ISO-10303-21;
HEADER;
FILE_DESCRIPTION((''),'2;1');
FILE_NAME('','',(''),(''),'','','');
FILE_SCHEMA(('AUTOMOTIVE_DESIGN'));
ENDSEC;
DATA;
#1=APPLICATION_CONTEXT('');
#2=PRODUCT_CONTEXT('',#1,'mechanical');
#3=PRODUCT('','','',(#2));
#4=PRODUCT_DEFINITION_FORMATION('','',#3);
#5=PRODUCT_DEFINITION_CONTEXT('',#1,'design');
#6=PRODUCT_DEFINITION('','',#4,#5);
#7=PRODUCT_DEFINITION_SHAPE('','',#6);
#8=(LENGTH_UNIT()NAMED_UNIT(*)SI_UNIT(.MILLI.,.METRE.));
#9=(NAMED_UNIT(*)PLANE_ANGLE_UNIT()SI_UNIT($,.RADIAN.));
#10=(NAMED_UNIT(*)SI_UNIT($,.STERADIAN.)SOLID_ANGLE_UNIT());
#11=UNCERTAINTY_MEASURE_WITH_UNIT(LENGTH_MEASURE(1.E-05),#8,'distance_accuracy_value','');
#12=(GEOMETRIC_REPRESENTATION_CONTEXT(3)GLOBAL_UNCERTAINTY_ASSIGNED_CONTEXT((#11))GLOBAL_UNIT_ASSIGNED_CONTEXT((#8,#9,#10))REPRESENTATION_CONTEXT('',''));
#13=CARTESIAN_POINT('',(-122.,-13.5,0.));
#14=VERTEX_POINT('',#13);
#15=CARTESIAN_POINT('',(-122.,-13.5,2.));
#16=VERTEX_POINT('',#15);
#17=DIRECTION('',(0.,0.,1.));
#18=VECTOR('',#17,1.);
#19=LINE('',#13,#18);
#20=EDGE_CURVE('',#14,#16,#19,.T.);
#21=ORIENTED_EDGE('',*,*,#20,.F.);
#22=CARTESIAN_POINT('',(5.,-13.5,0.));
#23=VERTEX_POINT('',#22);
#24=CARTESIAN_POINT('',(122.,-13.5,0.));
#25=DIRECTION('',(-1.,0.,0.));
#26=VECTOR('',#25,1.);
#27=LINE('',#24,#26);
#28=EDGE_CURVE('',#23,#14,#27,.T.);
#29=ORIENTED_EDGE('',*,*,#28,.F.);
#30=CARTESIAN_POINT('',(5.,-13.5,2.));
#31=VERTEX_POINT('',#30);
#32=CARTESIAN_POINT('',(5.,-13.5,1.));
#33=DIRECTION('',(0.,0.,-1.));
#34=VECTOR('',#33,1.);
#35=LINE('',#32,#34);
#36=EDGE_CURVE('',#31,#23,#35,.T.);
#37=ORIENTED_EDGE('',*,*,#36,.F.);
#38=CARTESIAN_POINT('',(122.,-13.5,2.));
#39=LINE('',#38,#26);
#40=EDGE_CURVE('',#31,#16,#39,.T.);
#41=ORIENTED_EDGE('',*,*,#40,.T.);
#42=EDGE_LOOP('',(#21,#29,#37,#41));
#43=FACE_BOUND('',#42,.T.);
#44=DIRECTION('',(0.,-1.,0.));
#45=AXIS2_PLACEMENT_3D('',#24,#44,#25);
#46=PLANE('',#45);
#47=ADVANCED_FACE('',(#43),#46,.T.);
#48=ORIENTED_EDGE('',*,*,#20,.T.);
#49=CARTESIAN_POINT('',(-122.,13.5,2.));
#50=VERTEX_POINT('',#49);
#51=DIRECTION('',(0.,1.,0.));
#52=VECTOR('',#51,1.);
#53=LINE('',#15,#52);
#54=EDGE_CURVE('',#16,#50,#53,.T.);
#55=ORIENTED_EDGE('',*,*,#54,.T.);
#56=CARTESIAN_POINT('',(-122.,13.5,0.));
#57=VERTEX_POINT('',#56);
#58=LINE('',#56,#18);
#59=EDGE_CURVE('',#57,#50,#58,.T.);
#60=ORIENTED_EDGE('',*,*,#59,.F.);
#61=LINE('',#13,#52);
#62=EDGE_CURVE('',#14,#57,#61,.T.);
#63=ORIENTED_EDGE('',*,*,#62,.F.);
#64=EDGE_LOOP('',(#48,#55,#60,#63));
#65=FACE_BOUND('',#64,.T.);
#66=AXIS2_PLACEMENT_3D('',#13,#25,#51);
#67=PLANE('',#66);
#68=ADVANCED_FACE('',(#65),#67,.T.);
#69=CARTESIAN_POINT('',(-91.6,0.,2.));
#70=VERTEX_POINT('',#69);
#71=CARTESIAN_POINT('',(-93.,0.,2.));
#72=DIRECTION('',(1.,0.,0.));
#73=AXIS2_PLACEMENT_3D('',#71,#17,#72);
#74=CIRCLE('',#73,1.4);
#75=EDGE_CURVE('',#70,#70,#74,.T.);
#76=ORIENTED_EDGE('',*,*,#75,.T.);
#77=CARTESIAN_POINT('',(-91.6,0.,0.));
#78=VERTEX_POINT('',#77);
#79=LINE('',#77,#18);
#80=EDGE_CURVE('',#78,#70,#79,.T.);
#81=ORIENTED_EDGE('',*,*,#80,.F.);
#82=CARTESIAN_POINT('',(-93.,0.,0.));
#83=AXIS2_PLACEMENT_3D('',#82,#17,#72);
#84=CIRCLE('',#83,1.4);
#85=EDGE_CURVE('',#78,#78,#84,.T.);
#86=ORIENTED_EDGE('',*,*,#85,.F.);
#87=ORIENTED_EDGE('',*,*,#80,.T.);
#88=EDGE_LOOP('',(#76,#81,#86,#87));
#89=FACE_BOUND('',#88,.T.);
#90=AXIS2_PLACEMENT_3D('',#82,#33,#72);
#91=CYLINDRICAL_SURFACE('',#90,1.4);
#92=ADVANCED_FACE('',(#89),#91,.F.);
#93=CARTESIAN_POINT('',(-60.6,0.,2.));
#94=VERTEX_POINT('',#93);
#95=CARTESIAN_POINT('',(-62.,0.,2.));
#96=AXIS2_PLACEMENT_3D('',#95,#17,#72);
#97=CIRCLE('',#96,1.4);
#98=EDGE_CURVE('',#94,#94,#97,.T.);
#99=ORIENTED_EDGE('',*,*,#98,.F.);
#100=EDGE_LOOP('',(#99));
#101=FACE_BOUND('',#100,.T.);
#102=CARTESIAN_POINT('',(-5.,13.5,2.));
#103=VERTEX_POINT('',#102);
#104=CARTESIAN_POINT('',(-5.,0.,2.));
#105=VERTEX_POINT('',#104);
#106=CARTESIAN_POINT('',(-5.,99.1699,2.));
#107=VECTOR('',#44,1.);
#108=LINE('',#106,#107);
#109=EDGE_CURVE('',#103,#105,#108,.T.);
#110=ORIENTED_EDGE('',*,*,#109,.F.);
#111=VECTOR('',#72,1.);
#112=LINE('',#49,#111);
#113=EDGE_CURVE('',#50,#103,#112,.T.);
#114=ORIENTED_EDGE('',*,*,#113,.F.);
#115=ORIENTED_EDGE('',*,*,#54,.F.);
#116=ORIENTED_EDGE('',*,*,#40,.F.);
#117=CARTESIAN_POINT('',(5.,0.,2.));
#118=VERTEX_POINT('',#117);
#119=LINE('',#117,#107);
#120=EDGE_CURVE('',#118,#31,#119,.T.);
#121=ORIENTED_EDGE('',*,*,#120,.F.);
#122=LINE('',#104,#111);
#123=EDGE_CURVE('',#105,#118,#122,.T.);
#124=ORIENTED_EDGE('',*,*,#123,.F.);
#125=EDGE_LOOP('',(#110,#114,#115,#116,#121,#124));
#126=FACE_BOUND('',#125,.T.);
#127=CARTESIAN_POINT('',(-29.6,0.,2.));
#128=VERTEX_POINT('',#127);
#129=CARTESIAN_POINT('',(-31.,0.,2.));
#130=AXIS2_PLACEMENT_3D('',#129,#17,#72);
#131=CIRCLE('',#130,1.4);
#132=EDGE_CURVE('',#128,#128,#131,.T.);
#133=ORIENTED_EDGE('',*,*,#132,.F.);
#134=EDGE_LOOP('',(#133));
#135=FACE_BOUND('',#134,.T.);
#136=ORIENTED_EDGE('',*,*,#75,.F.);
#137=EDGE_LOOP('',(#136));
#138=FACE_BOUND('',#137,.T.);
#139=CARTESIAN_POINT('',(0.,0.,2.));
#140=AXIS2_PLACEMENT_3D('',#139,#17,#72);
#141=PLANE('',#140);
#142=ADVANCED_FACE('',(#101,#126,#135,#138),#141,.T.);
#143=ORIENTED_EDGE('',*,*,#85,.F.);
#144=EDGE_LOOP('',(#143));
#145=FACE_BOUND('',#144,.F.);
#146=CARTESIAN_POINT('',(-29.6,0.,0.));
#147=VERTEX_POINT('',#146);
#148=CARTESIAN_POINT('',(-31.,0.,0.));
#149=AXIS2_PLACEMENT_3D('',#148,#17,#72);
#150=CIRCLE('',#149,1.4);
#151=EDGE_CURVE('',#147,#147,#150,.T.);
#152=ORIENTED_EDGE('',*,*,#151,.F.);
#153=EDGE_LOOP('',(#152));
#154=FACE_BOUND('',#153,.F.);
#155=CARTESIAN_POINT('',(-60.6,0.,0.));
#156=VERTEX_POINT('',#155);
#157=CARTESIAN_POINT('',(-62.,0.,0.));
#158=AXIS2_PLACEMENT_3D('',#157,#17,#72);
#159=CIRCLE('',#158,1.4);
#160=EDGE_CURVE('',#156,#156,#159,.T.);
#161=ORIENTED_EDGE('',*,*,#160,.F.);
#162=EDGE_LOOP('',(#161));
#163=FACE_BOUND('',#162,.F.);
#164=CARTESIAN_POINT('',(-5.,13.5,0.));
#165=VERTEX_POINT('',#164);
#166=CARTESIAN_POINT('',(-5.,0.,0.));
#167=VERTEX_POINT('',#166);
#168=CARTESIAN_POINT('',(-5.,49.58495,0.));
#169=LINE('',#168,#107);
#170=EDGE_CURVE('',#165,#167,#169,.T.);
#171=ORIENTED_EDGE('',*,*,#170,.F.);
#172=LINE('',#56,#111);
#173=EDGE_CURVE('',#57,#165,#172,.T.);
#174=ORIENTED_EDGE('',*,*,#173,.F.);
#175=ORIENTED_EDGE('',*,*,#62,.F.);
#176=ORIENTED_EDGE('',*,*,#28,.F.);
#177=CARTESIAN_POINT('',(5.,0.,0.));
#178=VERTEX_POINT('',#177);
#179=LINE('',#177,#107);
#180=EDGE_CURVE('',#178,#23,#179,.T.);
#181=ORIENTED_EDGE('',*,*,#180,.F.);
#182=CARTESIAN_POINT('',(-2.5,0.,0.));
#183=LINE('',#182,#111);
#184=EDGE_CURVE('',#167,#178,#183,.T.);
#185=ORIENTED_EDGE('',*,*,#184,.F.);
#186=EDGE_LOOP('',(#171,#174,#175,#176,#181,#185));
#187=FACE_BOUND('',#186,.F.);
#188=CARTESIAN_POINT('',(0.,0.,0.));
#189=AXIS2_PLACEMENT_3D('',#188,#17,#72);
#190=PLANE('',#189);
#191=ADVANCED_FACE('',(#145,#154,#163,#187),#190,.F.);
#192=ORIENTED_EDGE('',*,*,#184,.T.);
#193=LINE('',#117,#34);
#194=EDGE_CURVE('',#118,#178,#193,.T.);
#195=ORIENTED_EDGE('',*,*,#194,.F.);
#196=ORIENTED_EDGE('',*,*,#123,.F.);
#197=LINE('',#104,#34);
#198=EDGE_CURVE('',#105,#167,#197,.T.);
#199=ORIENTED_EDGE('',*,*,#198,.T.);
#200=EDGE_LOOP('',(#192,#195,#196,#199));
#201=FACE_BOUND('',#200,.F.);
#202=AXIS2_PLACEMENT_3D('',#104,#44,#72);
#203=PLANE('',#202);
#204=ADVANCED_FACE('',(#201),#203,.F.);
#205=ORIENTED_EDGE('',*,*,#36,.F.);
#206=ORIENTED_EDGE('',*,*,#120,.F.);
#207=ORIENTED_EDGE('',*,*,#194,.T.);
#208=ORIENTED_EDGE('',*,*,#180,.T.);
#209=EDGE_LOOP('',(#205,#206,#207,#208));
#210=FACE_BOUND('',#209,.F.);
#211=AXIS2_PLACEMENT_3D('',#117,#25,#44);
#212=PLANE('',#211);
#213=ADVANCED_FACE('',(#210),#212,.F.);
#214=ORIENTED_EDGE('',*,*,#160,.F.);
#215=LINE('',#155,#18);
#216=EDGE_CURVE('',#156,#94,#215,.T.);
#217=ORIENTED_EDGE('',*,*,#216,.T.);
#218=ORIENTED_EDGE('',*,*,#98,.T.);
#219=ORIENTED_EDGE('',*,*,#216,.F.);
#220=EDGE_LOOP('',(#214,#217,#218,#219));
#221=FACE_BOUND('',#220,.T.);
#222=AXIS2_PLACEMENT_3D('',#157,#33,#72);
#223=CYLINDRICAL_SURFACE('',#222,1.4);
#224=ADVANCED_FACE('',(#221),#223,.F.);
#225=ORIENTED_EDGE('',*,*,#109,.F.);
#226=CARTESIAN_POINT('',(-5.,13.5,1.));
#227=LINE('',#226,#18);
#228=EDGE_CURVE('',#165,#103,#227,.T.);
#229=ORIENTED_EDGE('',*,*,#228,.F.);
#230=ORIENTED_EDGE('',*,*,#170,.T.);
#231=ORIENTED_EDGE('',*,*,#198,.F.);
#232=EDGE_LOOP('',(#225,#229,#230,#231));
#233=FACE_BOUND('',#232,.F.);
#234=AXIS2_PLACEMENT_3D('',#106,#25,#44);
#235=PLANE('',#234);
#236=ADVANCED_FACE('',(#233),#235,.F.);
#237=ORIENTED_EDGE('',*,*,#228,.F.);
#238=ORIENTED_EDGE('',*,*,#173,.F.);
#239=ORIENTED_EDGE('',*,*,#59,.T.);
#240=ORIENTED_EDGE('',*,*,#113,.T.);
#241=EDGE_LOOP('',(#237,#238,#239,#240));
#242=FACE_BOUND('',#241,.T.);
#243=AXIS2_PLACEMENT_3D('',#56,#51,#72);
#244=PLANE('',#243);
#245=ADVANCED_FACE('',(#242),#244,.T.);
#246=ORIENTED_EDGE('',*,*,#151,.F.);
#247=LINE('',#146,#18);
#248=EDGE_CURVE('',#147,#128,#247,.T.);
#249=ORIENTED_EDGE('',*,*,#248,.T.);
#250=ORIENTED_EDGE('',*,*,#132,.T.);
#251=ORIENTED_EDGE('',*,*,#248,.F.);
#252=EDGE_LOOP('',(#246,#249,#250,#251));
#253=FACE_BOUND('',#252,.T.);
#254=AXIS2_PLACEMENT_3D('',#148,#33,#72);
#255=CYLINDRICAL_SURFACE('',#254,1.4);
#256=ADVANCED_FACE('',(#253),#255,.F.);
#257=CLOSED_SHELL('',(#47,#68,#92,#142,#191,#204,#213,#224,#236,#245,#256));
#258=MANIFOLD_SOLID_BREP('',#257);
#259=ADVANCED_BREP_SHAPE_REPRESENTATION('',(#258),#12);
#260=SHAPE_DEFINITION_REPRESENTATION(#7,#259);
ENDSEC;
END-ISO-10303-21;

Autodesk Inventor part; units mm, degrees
ref_plane "YZ Plane" through (0, 0, 0) normal (1, 0, 0) x (0, 1, 0)
ref_plane "XZ Plane" through (0, 0, 0) normal (0, 1, 0) x (-1, 0, 0)
ref_plane "XY Plane" through (0, 0, 0) normal (0, 0, 1) x (1, 0, 0)
sketch "Sketch1" plane through (0, 0, 0) normal (0, 0, 1) x (1, 0, 0)
  line L0 (122, -13.5) -> (-122, -13.5)
  line L1 (-122, -13.5) -> (-122, 13.5)
  line L2 (-122, 13.5) -> (122, 13.5)
  line L3 (122, 13.5) -> (122, -13.5)
  line L4 (122, -13.5) -> (-122, 13.5) construction
  line L5 (-122, -13.5) -> (122, 13.5) construction
  line L6 (0, 0) -> (-31, 0) construction
  circle A0 centre (-93, 0) radius 1.4
  circle A1 centre (-62, 0) radius 1.4
  circle A2 centre (-31, 0) radius 1.4
  circle A3 centre (0, 0) radius 1.4
  circle A4 centre (31, 0) radius 1.4
  circle A5 centre (62, 0) radius 1.4
  circle A6 centre (93, 0) radius 1.4
  dimension "d0" = 27
  dimension "d1" = 244
  dimension "d2" = 2.8
  dimension "d5" = 31
  dimension "d10" = 31
extrude "Extrusion1" add sketch "Sketch1" along normal blind 2 contours L0 L1 L2 L3 | A3
sketch "Sketch2" plane through (0, 0, 2) normal (0, 0, 1) x (1, 0, 0)
  line L0 (-5, 99.1699) -> (-5, 0)
  line L1 (-5, 0) -> (5, 0)
  line L2 (5, 0) -> (5, -99.1699)
  line L3 (232.2267, -99.1699) -> (-232.2267, -99.1699)
  line L4 (-232.2267, -99.1699) -> (-232.2267, 99.1699)
  line L5 (-232.2267, 99.1699) -> (232.2267, 99.1699)
  line L6 (232.2267, 99.1699) -> (232.2267, -99.1699)
  line L7 (232.2267, -99.1699) -> (-232.2267, 99.1699) construction
  line L8 (-232.2267, -99.1699) -> (232.2267, 99.1699) construction
  point P0 (0, 0)
  dimension "d13" = 10
extrude "Extrusion2" cut sketch "Sketch2" against normal through all contours L5 L6 L3 L2 L1 L0
properties part number "SensorLid"
